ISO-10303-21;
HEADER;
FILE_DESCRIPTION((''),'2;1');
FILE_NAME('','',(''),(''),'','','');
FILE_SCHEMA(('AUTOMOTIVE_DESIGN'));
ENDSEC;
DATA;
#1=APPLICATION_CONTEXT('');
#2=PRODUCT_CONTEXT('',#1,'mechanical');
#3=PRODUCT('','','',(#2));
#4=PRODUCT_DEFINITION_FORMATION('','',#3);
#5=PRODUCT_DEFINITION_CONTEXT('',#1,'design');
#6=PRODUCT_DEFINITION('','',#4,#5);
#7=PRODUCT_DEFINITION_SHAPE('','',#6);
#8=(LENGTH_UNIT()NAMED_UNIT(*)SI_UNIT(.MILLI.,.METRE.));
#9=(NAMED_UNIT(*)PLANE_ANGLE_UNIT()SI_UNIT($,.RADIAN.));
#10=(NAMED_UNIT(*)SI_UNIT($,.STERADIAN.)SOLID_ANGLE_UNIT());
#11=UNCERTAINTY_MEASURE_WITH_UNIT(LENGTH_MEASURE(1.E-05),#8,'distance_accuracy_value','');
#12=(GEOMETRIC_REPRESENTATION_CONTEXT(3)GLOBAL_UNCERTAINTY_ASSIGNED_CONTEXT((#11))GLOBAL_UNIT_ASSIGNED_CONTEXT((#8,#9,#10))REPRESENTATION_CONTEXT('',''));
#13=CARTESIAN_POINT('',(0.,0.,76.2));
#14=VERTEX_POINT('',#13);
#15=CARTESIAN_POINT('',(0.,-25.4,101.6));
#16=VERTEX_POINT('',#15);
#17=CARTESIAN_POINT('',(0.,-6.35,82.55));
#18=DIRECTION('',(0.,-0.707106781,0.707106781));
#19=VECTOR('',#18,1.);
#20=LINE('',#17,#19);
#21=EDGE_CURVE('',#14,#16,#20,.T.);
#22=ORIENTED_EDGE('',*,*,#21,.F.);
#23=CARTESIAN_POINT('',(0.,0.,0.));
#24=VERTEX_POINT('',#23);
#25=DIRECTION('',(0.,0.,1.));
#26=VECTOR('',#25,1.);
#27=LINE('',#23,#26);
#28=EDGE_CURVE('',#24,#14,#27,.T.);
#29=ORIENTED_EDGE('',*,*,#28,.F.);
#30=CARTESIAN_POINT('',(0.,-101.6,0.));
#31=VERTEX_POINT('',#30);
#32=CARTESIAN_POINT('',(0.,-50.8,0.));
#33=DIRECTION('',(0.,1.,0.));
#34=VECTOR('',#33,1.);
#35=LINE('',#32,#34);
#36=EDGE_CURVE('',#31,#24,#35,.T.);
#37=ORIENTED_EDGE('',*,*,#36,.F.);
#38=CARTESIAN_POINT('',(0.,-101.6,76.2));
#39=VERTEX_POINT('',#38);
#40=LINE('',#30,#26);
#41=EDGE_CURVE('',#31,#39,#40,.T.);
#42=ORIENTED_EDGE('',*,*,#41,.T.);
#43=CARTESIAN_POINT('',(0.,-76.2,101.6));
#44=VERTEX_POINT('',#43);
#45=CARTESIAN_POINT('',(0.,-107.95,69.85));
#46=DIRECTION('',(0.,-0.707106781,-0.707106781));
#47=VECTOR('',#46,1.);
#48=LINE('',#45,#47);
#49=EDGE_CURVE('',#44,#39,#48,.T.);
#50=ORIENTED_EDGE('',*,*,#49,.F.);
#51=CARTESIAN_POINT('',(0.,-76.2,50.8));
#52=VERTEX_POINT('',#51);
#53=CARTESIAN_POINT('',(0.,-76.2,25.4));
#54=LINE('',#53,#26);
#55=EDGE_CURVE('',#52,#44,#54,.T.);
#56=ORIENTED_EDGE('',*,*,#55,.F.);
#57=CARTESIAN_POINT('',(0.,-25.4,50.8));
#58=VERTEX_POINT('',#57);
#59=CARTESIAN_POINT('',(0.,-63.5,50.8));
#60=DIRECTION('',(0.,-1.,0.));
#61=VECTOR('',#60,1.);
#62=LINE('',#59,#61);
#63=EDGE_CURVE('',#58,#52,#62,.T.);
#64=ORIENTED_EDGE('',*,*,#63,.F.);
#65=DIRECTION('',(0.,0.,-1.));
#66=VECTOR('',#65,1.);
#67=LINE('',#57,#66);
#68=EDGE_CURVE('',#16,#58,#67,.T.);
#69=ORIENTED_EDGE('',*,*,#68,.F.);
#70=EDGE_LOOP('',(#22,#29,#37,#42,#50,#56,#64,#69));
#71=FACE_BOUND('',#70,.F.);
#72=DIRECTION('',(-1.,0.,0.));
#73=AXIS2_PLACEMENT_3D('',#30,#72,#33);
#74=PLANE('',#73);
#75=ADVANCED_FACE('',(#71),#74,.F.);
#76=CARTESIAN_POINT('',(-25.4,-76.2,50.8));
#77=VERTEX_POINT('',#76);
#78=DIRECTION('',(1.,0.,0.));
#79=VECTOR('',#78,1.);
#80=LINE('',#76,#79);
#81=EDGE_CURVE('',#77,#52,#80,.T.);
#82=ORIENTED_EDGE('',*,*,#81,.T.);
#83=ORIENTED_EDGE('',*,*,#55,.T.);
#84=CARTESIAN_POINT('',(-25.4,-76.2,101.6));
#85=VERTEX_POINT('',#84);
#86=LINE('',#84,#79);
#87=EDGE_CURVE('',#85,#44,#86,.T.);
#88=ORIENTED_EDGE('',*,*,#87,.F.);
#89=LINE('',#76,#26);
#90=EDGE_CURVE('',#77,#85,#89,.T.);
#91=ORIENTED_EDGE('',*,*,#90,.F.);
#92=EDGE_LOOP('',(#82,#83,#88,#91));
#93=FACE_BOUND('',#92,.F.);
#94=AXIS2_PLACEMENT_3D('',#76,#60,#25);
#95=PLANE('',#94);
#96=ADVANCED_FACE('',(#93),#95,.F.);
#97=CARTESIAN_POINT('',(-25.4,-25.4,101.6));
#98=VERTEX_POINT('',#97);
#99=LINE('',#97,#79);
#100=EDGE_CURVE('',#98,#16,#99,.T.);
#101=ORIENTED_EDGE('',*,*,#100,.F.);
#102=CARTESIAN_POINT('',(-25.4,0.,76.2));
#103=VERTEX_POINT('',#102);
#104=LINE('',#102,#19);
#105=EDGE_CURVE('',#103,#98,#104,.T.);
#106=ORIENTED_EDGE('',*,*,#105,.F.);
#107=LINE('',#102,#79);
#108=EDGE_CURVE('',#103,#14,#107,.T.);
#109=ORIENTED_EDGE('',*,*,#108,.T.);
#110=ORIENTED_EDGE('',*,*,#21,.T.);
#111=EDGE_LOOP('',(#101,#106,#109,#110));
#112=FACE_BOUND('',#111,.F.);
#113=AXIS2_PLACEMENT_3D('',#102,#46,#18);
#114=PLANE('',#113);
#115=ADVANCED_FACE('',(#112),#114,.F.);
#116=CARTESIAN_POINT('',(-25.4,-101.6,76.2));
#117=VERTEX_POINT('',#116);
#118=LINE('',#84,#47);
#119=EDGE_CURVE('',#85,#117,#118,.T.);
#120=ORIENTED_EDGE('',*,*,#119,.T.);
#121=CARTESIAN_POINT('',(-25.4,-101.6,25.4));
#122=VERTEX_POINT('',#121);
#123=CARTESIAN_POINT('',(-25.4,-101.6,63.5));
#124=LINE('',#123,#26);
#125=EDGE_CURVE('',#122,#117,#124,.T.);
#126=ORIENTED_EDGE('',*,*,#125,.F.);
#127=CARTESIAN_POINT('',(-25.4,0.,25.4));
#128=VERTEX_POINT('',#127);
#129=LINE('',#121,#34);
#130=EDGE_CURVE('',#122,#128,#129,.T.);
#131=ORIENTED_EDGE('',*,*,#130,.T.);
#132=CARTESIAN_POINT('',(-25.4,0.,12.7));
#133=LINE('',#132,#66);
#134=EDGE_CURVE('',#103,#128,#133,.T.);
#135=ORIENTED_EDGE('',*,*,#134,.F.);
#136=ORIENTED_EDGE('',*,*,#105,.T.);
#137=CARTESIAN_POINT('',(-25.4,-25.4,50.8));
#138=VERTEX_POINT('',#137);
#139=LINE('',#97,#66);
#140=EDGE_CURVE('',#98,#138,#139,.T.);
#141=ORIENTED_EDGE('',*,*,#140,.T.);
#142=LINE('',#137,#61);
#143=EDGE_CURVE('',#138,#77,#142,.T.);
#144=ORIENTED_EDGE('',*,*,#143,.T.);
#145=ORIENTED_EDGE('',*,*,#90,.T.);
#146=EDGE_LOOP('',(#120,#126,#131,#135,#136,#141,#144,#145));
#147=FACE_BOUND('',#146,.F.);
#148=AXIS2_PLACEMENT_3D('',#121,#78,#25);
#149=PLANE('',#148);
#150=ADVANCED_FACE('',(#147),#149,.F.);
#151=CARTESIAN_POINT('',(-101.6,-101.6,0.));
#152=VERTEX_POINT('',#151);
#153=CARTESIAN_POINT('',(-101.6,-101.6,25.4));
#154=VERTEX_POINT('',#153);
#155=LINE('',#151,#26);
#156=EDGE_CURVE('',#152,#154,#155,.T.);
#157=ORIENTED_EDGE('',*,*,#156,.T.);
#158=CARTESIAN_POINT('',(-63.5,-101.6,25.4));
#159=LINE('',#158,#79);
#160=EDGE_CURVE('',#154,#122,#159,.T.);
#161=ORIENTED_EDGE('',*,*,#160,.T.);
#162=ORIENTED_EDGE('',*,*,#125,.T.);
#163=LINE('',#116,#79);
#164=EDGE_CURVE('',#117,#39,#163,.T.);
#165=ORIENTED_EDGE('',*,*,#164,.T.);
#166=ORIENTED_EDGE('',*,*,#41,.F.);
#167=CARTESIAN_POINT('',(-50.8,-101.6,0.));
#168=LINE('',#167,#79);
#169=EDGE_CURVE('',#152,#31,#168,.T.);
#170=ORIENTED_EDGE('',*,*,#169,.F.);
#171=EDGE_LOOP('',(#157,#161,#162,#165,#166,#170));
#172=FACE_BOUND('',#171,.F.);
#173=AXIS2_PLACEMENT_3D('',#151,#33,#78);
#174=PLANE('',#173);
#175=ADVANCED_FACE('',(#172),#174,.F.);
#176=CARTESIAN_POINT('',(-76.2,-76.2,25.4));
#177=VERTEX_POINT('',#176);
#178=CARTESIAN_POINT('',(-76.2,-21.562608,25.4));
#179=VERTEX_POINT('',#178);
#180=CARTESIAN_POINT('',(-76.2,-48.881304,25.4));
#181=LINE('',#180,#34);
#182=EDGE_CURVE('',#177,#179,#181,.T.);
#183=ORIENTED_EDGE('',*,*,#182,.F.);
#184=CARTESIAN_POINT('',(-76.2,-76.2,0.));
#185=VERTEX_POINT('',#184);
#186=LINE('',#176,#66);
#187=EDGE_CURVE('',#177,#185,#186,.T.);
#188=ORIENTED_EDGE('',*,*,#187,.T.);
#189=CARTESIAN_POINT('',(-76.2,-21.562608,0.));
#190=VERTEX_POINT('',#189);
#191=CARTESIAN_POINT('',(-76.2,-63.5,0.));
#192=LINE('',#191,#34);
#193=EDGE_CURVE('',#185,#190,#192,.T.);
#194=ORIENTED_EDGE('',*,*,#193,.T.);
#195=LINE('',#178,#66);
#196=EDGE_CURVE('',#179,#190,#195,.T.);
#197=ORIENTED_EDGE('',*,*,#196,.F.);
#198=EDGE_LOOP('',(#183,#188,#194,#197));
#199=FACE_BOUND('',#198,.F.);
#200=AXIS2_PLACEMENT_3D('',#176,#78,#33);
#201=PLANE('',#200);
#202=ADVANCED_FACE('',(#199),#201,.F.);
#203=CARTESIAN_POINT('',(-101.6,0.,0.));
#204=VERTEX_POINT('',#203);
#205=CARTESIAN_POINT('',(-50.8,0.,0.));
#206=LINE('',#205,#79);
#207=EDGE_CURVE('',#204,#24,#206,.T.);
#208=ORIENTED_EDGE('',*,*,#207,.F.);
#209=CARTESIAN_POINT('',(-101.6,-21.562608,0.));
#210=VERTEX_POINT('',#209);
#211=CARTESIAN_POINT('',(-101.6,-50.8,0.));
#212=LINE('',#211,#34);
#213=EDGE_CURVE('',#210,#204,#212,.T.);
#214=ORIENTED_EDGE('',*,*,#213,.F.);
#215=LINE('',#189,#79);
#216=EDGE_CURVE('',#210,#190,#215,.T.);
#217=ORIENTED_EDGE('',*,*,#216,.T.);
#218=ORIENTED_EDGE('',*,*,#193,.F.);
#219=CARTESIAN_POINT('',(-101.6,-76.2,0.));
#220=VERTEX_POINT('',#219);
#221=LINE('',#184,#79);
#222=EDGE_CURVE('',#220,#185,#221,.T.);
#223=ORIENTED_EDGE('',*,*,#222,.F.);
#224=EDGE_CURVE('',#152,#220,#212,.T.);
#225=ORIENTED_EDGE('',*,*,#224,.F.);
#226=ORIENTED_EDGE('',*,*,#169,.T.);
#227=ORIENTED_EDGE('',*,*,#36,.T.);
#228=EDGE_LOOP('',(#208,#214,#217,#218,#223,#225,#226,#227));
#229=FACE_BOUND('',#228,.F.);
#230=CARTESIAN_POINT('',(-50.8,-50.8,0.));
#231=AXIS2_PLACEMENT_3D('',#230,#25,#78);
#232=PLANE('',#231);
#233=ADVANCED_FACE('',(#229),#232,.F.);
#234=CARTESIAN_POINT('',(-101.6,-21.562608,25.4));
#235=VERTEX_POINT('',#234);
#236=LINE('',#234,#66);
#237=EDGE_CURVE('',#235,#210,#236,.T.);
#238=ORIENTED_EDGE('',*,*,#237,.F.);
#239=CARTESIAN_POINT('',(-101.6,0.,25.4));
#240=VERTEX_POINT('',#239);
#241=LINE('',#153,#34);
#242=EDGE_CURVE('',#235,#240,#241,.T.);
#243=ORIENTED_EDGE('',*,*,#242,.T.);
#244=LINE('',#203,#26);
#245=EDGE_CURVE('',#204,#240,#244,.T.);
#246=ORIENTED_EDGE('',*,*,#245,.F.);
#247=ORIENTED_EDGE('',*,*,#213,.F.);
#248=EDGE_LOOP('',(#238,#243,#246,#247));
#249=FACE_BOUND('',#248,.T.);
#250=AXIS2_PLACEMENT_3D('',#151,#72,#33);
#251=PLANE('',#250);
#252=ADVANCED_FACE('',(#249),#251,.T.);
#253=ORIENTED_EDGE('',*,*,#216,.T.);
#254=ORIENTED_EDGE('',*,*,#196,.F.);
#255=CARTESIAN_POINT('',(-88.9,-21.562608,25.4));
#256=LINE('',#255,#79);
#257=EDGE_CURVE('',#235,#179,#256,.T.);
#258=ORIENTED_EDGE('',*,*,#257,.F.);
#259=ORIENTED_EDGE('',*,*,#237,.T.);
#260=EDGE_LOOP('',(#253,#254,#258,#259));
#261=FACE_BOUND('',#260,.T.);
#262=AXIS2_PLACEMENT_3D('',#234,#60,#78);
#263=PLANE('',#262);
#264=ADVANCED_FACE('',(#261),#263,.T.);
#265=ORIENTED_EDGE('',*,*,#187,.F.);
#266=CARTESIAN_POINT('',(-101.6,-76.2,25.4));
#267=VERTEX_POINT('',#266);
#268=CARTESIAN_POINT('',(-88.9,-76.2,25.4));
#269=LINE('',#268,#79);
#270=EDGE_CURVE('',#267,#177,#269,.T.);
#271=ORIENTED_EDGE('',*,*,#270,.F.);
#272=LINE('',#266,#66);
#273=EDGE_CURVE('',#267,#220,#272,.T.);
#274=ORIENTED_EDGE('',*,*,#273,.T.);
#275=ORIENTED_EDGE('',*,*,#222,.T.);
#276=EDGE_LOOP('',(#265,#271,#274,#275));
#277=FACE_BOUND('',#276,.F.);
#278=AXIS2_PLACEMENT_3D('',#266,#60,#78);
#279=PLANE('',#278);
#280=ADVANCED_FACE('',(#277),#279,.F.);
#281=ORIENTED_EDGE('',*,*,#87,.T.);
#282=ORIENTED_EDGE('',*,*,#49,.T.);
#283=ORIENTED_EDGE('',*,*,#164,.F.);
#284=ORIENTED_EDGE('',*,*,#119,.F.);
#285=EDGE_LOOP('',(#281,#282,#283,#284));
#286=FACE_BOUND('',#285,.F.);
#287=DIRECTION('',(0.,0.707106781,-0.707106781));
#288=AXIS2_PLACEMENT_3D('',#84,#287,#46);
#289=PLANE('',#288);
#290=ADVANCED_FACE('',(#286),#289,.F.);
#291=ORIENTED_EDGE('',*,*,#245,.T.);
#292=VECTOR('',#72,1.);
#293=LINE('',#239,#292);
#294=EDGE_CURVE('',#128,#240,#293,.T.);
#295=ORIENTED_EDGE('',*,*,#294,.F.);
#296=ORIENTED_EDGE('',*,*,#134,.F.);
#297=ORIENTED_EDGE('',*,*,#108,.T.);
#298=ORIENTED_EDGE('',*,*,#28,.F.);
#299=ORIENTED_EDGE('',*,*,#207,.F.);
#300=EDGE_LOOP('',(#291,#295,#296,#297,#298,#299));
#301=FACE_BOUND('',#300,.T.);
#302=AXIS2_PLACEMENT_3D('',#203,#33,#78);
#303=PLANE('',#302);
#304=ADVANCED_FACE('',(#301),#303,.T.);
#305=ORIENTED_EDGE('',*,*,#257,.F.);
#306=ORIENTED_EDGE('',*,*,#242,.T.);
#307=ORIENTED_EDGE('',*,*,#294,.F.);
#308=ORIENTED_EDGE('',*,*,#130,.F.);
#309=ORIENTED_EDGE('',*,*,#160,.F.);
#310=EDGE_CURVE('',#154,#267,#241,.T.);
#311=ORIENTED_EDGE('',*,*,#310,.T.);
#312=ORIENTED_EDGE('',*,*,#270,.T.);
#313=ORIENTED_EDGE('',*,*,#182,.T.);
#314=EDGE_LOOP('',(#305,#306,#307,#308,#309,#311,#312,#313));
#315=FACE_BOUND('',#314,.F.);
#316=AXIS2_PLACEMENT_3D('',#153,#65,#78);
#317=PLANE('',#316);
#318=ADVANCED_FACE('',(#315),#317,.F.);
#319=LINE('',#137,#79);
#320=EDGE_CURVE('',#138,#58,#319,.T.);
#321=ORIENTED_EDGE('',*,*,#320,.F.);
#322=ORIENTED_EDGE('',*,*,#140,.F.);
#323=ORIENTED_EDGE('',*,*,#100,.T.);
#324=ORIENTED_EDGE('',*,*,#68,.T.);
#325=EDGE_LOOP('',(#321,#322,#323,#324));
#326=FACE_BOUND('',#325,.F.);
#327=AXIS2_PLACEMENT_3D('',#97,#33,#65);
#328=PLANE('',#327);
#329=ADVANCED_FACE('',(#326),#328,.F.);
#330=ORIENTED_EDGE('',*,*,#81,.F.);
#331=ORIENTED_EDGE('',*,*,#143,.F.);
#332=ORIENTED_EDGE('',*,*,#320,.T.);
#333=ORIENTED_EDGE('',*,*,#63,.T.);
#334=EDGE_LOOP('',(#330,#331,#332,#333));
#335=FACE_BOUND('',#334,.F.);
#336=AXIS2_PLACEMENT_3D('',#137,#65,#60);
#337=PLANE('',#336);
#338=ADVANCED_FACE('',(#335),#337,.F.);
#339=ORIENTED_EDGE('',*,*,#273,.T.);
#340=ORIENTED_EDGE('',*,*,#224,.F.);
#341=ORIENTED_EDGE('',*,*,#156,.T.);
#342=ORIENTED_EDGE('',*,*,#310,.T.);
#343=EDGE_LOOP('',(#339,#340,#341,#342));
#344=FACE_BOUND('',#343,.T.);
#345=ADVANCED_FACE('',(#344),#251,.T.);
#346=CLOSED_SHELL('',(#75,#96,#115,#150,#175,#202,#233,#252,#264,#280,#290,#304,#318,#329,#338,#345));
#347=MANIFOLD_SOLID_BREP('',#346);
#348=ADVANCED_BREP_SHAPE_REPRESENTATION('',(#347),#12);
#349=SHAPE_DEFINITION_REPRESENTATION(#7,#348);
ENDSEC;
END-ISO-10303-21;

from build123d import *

# Parameters (mm, degrees)
F0_W     = 101.6
F0_H     = 101.6
F1_DEPTH = 101.6
F2_W     = 76.2
F2_H     = 76.2
F3_DEPTH = 168.91
F4_W     = 25.4
F4_H     = 54.637392
F5_DEPTH = 81.026
F7_DEPTH = 51.562


with BuildPart() as f1:
    # F0 (on Top) → F1 (new body)
    with BuildSketch(Plane.XY):
        with Locations((-50.8, -50.8)):
            Rectangle(F0_W, F0_H)
    extrude(amount=F1_DEPTH)

    # F2 (on face) → F3 (cut)
    with BuildSketch(Plane.XZ.offset(101.6)):
        with Locations((-63.5, 63.5)):
            Rectangle(F2_W, F2_H)
    extrude(amount=-F3_DEPTH, mode=Mode.SUBTRACT)

    # F4 (on face) → F5 (cut)
    with BuildSketch(Plane.XY.offset(25.4)):
        with Locations((-88.9, -48.881304)):
            Rectangle(F4_W, F4_H)
    extrude(amount=-F5_DEPTH, mode=Mode.SUBTRACT)

    # F6 (on face) → F7 (cut)
    with BuildSketch(Plane(origin=(-25.4, 0, 0), x_dir=(0, -1, 0), z_dir=(-1, 0, 0))):
        Polygon((25.4, 101.6), (0, 101.6), (0, 76.2), align=None)
        Polygon((101.6, 101.6), (76.2, 101.6), (101.6, 76.2), align=None)
        Polygon((76.2, 101.6), (25.4, 101.6), (25.4, 76.2), (25.4, 50.8), (76.2, 50.8), (76.2, 76.2), align=None)
    extrude(amount=-F7_DEPTH, mode=Mode.SUBTRACT)


solid = f1.part
